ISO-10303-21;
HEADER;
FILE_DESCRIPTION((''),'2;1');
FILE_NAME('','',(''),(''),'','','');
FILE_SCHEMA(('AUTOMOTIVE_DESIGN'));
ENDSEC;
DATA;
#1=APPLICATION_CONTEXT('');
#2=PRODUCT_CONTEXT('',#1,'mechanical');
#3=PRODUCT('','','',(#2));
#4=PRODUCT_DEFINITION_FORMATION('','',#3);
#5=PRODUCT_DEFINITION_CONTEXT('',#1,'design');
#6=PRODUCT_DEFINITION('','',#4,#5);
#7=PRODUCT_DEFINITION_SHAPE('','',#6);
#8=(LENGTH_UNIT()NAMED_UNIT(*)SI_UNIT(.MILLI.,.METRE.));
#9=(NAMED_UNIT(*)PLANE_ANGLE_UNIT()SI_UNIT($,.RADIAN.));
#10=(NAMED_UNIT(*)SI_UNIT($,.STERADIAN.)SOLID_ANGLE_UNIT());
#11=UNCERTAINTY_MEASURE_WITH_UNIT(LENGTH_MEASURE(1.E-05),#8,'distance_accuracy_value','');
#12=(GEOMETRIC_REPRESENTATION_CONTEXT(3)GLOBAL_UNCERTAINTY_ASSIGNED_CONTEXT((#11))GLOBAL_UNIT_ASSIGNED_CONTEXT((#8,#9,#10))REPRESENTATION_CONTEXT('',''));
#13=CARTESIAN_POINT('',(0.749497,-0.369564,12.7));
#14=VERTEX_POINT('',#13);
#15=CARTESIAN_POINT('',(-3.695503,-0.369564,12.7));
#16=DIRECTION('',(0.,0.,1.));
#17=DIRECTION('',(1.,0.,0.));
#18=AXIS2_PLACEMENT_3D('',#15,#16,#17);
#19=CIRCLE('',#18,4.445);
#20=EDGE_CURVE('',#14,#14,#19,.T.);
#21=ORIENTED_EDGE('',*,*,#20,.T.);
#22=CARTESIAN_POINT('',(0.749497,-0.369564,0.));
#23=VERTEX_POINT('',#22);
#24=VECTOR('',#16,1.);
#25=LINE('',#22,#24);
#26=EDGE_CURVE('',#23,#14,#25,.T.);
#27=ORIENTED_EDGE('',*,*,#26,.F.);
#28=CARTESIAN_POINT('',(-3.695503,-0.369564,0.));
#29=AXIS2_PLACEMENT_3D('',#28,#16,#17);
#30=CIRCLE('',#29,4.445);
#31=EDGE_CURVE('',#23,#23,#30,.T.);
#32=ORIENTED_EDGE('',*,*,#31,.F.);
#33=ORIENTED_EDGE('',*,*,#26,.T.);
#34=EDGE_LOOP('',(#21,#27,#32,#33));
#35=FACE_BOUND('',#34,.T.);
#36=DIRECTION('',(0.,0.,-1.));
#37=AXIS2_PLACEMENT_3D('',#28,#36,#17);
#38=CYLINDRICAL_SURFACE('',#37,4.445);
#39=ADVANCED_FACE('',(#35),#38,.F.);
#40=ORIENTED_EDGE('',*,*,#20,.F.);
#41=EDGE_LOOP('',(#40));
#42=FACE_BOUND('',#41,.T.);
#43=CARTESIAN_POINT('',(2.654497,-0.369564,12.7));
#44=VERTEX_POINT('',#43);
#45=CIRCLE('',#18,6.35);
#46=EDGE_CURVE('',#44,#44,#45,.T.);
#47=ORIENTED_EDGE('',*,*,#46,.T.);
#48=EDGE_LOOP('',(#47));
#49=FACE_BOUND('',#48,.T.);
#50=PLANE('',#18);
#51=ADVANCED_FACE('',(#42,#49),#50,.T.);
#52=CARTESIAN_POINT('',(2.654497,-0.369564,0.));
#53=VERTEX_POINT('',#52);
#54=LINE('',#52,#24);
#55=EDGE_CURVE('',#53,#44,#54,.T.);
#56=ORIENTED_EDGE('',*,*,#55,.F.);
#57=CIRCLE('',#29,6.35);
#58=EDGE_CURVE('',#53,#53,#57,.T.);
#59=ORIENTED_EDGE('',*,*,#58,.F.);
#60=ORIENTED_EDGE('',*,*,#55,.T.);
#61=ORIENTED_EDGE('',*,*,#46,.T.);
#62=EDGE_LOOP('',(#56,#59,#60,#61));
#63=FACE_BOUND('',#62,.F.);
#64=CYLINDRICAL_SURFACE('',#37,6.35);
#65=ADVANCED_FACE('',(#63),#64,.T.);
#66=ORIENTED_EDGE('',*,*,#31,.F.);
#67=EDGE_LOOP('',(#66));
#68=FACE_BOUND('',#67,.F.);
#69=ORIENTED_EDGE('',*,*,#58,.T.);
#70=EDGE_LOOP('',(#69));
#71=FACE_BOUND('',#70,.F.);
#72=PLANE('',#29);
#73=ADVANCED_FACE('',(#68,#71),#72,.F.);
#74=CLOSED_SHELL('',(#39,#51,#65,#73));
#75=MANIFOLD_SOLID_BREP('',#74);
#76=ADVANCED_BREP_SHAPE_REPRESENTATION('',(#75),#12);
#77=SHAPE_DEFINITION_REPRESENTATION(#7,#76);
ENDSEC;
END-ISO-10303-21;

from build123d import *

# Parameters (mm, degrees)
F0_R     = 6.35
F0_R_2   = 4.445
F1_DEPTH = 12.7


with BuildPart() as f1:
    # F0 (on Top) → F1 (new body)
    with BuildSketch(Plane.XY):
        with Locations((-3.695503, -0.369564)):
            Circle(F0_R)
        with Locations((-3.695503, -0.369564)):
            Circle(F0_R_2, mode=Mode.SUBTRACT)
    extrude(amount=F1_DEPTH)


solid = f1.part
